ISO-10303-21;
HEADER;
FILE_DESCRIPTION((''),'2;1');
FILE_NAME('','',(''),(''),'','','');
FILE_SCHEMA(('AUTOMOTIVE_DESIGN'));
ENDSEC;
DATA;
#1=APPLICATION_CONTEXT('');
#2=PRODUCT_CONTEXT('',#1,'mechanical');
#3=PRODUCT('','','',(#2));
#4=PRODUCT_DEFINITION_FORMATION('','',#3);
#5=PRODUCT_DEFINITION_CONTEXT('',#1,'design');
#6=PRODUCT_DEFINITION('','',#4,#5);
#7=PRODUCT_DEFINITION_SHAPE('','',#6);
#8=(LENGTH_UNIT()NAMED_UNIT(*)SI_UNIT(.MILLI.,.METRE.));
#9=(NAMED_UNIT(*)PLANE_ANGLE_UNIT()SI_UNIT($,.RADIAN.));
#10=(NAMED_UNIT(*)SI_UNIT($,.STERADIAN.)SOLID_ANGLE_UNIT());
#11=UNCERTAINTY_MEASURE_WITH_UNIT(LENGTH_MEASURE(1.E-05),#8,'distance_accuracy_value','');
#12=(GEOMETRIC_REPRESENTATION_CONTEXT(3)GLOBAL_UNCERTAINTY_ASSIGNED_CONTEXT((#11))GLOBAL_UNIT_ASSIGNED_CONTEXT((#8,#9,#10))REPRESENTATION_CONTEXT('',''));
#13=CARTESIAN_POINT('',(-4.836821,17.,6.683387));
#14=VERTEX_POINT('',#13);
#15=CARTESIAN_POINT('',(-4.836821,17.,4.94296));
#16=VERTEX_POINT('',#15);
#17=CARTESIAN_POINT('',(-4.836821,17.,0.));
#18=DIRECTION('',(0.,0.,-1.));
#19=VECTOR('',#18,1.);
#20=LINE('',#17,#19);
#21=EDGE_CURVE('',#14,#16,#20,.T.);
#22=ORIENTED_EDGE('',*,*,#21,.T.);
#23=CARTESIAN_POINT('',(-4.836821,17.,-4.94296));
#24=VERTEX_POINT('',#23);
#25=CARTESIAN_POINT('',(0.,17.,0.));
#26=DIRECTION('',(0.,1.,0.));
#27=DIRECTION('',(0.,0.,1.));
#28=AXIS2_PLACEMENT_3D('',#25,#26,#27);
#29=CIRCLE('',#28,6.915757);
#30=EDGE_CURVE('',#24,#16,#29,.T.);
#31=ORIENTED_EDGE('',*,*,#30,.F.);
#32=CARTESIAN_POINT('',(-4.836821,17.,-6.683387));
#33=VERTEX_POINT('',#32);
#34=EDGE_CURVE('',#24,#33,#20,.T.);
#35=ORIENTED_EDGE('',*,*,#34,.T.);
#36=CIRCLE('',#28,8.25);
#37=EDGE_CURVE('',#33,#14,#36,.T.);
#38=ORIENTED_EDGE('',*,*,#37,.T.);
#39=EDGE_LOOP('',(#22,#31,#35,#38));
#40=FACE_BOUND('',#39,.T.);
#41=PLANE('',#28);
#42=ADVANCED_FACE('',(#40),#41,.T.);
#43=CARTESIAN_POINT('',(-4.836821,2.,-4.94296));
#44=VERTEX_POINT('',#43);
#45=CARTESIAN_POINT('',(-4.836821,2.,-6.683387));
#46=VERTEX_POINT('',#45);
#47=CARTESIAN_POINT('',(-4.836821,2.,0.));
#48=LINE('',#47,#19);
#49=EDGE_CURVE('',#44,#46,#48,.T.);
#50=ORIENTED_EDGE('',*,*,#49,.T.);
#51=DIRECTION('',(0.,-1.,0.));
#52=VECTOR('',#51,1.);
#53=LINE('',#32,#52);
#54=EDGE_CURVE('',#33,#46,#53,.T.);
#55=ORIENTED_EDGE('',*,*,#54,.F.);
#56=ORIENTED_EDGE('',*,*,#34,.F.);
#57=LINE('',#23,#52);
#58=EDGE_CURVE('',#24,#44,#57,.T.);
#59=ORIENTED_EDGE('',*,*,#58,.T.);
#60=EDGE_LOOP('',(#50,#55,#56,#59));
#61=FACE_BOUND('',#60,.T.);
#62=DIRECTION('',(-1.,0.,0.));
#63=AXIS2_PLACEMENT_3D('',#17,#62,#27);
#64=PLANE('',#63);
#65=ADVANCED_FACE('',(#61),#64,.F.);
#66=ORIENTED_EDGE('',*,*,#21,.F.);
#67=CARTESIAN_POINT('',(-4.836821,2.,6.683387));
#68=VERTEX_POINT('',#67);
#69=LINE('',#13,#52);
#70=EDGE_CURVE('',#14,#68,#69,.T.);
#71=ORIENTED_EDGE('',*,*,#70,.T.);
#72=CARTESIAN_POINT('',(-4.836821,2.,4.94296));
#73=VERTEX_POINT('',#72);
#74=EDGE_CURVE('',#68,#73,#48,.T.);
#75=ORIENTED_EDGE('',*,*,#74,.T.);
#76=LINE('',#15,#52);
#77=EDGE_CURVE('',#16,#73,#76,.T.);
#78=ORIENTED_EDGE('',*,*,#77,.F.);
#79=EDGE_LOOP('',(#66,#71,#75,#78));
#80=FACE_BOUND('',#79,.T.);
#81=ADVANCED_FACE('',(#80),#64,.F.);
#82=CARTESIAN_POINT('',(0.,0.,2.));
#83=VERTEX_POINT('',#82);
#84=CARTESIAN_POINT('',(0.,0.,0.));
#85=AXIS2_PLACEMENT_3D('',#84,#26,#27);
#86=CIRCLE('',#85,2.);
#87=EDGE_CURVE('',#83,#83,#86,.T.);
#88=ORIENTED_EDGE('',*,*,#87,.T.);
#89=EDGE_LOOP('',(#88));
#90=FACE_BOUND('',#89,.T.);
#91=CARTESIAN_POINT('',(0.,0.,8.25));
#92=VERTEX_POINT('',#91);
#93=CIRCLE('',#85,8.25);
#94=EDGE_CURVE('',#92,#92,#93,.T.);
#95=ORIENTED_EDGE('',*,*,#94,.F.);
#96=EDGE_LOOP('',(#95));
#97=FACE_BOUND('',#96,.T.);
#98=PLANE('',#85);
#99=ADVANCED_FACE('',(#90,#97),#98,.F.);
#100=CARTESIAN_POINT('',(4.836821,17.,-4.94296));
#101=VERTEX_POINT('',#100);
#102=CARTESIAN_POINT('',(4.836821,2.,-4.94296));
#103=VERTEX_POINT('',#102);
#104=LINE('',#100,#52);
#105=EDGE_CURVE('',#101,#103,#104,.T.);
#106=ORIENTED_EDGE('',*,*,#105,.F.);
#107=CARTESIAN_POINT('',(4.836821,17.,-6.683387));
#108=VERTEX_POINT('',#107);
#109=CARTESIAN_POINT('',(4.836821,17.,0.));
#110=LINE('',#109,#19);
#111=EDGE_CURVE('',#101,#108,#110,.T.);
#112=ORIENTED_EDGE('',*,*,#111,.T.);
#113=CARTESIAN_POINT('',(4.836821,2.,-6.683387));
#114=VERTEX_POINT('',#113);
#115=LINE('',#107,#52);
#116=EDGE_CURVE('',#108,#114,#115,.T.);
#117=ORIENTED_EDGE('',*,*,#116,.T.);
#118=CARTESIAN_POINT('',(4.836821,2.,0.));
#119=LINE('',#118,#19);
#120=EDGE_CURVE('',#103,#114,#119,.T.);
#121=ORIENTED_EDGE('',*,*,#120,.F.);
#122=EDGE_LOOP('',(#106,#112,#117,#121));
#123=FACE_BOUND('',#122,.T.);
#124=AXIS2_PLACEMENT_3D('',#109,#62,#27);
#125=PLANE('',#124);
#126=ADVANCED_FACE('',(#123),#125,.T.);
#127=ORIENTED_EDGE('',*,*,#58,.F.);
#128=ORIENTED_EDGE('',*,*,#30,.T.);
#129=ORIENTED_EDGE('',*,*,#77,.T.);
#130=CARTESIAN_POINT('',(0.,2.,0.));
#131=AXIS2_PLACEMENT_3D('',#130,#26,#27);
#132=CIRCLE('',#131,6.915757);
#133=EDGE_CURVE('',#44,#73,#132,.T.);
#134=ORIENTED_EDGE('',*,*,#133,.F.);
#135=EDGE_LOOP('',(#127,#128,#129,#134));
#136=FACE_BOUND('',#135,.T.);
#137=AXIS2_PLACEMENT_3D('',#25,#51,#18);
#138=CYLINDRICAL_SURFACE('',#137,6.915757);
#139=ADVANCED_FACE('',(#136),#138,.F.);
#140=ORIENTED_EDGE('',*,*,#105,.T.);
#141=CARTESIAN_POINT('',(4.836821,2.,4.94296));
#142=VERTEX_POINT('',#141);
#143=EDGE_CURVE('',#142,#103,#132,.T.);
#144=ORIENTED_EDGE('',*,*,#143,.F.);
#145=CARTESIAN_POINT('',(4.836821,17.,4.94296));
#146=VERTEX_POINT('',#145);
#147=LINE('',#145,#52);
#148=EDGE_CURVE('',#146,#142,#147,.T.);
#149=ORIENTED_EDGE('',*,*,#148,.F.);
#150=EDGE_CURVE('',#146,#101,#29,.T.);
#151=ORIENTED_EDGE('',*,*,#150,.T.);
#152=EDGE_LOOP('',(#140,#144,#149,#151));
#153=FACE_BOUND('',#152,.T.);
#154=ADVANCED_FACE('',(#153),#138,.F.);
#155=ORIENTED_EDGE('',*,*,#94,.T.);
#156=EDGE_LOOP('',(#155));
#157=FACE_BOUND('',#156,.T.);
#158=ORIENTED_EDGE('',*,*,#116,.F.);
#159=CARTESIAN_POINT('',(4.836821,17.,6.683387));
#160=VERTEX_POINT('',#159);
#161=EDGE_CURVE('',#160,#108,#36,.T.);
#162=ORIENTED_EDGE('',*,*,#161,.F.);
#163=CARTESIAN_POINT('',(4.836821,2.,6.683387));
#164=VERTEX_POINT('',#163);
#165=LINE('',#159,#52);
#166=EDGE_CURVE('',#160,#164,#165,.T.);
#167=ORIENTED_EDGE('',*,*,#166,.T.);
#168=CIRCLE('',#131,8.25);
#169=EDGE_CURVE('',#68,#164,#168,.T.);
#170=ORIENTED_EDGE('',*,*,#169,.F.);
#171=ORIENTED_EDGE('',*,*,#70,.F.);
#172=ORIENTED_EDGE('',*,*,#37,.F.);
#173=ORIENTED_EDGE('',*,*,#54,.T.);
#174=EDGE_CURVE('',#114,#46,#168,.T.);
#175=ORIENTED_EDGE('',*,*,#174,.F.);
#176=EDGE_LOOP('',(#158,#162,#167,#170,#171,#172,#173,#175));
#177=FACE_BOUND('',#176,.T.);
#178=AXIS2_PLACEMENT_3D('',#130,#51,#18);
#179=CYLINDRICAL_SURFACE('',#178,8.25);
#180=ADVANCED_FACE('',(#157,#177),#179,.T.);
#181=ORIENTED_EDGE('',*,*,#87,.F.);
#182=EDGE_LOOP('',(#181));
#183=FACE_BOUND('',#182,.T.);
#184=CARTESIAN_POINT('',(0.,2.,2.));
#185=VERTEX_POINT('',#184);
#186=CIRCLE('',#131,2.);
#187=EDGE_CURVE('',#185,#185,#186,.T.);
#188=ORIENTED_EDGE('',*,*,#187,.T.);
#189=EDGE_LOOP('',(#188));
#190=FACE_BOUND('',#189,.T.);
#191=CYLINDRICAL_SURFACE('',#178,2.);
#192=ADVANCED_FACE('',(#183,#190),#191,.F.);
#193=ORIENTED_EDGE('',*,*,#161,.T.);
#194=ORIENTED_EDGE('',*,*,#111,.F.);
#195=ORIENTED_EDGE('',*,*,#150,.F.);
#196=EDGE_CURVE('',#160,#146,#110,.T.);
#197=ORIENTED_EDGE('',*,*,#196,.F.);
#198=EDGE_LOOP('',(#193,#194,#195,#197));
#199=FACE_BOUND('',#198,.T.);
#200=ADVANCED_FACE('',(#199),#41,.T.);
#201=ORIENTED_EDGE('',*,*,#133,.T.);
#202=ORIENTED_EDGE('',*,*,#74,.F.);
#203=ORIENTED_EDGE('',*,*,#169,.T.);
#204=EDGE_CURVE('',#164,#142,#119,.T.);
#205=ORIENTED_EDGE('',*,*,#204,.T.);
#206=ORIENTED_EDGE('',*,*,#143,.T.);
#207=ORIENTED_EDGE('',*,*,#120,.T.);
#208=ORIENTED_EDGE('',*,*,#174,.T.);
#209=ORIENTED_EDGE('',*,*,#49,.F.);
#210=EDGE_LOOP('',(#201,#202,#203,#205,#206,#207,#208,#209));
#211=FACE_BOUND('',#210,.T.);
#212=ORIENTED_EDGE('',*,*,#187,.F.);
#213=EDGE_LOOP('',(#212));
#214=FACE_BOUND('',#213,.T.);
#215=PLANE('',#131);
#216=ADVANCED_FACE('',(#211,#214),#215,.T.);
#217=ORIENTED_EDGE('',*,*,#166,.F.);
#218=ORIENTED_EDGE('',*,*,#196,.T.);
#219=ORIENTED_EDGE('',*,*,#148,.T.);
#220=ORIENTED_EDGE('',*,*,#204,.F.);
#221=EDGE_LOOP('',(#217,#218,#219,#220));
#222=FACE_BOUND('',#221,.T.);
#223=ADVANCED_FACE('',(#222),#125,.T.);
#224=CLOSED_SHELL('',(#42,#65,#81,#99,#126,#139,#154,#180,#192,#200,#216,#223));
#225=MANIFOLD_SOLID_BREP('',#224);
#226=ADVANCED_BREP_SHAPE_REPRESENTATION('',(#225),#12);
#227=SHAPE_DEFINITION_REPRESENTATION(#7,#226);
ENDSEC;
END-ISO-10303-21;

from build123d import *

# Parameters (mm, degrees)
SKETCH2_R           = 8.25
SKETCH2_R_2         = 2
BOSS_EXTRUDE1_DEPTH = 2
BOSS_EXTRUDE2_DEPTH = 15


with BuildPart() as part:
    # Sketch2 → Boss-Extrude1 (new body)
    with BuildSketch(Plane(origin=(0, 0, 0), x_dir=(1, 0, 0), z_dir=(0, 1, 0))):
        with Locations(Location((0, 0, 0), (0, 0, 270))):
            Circle(SKETCH2_R)
        with Locations(Location((0, 0, 0), (0, 0, 270))):
            Circle(SKETCH2_R_2, mode=Mode.SUBTRACT)
    extrude(amount=BOSS_EXTRUDE1_DEPTH)

    # Sketch3 → Boss-Extrude2 (add)
    with BuildSketch(Plane(origin=(0, 2, 0), x_dir=(1, 0, 0), z_dir=(0, 1, 0))):
        with BuildLine():
            ThreePointArc((-4.836821281, 6.683386858), (-8.25, 0), (-4.836821281, -6.683386858))
            Line((-4.836821281, -6.683386858), (-4.836821281, -4.942960119))
            ThreePointArc((-4.836821281, -4.942960119), (-6.915756997, 0), (-4.836821281, 4.942960119))
            Line((-4.836821281, 4.942960119), (-4.836821281, 6.683386858))
        make_face()
        with BuildLine():
            Line((4.836821281, -4.942960119), (4.836821281, -6.683386858))
            ThreePointArc((4.836821281, -6.683386858), (7.34732181, -3.752247622), (8.25, 0))
            ThreePointArc((8.25, 0), (7.34732181, 3.752247622), (4.836821281, 6.683386858))
            Line((4.836821281, 6.683386858), (4.836821281, 4.942960119))
            ThreePointArc((4.836821281, 4.942960119), (6.374871585, 2.681176442), (6.915756997, 0))
            ThreePointArc((6.915756997, 0), (6.374871585, -2.681176442), (4.836821281, -4.942960119))
        make_face()
    extrude(amount=BOSS_EXTRUDE2_DEPTH)


solid = part.part
